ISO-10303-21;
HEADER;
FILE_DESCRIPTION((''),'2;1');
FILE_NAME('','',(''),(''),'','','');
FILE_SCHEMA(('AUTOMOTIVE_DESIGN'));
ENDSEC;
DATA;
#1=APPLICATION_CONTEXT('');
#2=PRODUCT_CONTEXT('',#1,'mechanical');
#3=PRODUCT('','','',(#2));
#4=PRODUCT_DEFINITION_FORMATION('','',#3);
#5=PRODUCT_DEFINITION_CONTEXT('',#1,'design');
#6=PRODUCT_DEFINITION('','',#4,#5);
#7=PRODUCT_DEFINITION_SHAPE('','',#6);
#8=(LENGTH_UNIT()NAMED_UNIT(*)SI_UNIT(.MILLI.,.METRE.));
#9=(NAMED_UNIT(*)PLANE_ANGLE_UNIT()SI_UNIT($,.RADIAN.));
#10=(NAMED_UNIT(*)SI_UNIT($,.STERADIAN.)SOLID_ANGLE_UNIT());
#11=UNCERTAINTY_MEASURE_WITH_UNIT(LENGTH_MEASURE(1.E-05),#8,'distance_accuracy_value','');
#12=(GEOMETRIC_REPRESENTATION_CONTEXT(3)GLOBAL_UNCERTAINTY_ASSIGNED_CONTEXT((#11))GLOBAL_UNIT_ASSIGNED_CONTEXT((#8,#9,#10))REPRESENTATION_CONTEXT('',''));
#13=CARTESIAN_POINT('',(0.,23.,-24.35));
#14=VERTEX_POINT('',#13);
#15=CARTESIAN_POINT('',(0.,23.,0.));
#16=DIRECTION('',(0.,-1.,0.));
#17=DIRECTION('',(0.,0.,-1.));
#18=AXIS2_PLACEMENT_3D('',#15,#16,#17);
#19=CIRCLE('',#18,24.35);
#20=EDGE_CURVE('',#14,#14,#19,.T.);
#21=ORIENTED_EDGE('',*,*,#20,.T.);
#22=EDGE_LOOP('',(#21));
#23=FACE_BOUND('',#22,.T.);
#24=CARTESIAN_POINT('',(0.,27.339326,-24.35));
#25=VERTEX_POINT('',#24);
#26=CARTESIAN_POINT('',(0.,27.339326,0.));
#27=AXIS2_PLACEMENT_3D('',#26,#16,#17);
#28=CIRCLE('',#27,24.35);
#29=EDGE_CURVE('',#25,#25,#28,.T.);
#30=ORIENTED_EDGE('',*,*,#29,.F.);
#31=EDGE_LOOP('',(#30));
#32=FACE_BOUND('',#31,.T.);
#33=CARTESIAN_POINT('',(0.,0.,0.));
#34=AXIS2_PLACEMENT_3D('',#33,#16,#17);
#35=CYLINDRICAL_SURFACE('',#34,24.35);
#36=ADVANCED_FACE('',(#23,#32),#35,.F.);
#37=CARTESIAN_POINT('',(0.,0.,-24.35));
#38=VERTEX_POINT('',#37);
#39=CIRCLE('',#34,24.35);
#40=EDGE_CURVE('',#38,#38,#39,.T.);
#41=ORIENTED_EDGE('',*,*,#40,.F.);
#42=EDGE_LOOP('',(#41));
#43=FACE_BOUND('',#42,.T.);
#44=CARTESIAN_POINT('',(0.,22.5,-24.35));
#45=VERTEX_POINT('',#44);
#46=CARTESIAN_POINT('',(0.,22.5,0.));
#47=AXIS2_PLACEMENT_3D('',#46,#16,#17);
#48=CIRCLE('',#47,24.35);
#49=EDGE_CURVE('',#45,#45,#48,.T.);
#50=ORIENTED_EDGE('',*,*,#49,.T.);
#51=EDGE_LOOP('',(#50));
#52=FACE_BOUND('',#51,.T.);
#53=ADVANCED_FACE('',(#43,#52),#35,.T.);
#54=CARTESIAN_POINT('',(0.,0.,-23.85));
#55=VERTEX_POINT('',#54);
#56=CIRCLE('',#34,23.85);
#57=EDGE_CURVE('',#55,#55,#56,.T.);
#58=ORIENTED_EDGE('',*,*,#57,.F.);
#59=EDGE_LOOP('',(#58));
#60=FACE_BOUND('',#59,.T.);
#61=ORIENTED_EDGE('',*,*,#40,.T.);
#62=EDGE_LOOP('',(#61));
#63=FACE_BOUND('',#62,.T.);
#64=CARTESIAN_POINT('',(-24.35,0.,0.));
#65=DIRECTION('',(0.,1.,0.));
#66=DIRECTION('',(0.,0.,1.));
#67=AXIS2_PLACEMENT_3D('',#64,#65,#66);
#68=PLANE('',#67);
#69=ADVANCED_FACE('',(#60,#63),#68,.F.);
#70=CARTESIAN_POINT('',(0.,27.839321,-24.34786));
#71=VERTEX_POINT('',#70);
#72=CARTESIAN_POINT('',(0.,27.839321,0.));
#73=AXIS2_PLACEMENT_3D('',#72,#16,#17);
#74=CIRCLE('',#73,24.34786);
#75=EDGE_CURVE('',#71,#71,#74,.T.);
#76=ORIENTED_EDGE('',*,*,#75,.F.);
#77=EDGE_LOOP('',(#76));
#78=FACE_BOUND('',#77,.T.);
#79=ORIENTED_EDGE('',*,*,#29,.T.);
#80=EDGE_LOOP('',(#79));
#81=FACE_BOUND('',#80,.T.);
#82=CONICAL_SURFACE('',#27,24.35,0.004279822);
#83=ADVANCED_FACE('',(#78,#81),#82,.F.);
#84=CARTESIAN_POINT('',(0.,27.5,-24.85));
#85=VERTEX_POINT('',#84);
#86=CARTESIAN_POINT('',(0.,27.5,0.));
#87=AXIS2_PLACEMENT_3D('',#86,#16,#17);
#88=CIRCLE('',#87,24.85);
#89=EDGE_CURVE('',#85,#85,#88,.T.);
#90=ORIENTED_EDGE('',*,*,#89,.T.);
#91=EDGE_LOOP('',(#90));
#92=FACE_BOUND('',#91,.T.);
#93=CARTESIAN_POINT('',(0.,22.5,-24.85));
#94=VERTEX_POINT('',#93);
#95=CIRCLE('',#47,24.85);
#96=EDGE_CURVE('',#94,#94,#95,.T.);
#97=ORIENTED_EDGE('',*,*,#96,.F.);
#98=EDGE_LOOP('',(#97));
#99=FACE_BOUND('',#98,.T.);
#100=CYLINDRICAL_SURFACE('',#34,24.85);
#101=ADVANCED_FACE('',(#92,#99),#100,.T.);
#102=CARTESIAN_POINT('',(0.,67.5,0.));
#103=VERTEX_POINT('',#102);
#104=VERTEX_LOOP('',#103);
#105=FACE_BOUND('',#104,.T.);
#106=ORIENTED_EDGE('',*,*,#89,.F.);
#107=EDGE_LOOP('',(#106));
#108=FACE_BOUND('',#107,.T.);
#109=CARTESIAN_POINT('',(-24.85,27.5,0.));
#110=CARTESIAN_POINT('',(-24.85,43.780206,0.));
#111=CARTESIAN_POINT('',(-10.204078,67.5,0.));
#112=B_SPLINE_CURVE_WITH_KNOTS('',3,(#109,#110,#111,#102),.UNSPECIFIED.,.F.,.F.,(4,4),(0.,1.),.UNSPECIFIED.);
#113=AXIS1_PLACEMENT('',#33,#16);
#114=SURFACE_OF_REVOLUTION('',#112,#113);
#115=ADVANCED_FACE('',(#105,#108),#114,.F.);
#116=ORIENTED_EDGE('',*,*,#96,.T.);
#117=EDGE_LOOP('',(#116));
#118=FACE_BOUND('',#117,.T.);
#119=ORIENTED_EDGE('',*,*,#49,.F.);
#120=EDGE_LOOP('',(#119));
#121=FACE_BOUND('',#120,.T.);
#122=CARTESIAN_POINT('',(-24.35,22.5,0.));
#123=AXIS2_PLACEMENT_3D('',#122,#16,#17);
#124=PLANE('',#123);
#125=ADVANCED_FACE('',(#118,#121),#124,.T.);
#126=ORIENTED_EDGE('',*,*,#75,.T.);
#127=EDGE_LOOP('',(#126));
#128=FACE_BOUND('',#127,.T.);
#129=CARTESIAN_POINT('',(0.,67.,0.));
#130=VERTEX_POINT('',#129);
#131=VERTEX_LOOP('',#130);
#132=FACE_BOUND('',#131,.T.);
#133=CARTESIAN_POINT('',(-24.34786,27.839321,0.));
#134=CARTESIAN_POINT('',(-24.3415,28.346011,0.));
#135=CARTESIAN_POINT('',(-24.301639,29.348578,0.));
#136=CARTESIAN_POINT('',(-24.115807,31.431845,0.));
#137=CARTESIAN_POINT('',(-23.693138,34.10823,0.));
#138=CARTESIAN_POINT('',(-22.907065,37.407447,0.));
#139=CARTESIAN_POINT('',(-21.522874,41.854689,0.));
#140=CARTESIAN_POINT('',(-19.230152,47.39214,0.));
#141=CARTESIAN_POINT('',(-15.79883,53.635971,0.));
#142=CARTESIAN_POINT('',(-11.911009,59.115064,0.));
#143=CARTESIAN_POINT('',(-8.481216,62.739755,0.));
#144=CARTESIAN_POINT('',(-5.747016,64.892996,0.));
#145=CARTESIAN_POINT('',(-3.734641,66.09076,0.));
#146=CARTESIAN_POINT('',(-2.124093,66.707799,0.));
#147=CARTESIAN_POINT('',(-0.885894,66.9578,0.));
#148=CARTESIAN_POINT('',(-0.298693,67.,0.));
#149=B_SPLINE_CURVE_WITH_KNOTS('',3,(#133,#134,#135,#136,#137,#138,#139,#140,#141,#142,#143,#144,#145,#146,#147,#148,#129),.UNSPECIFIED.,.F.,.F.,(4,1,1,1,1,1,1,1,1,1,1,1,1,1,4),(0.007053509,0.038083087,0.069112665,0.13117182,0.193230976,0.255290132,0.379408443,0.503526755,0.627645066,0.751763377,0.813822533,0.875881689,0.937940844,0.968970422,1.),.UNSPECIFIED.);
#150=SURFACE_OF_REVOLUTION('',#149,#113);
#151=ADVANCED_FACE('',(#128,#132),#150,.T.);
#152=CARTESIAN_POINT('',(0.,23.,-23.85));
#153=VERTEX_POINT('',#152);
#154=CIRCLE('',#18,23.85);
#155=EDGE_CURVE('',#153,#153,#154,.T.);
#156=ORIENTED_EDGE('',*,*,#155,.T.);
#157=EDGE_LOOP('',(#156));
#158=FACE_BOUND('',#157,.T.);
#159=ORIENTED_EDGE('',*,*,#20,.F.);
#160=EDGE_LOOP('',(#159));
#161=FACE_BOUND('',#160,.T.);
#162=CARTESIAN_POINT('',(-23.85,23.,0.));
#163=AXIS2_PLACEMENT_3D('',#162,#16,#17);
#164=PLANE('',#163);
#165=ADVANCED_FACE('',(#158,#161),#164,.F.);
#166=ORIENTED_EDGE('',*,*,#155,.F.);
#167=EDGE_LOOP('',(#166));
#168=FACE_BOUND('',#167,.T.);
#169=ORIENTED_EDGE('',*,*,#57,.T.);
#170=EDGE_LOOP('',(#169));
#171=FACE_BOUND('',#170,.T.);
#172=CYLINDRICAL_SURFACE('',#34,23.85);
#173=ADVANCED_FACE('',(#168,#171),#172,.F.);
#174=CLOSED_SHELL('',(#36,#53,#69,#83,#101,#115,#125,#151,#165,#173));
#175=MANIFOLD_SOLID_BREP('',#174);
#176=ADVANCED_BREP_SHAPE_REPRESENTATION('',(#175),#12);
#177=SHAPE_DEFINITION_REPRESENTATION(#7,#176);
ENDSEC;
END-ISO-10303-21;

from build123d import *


with BuildPart() as part:
    # Sketch1 → Revolve1 (revolve)
    with BuildSketch(Plane.XY, mode=Mode.PRIVATE) as revolve1_sk:
        with BuildLine():
            Line((-24.35, 0), (-24.35, 22.5))
            Line((-24.35, 22.5), (-24.85, 22.5))
            Line((-24.85, 22.5), (-24.85, 27.5))
            add(Edge.make_bspline(
                [(-24.85, 27.5), (-24.85, 43.780206444), (-10.204077545, 67.5), (0, 67.5)],
                knots=[0, 0, 0, 0, 1, 1, 1, 1], degree=3))
            Line((0, 67.5), (0, 67))
            add(Edge.make_bspline(
                [(-24.347860096, 27.839321298), (-24.341499711, 28.346010553), (-24.301638833, 29.348577965), (-24.11580728, 31.431845462), (-23.693138479, 34.108229535), (-22.907065114, 37.40744686), (-21.522873709, 41.854689286), (-19.230151883, 47.392139738), (-15.79882975, 53.635971479), (-11.911009312, 59.115064281), (-8.481216154, 62.739755317), (-5.747015733, 64.892995549), (-3.734640767, 66.090760209), (-2.124093421, 66.707799141), (-0.885893826, 66.957799804), (-0.298692976, 67), (0, 67)],
                knots=[0.007053509, 0.007053509, 0.007053509, 0.007053509, 0.038083087, 0.069112665, 0.13117182, 0.193230976, 0.255290132, 0.379408443, 0.503526755, 0.627645066, 0.751763377, 0.813822533, 0.875881689, 0.937940844, 0.968970422, 1, 1, 1, 1], degree=3))
            Line((-24.347860096, 27.839321298), (-24.35, 27.339325877))
            Line((-24.35, 27.339325877), (-24.35, 23))
            Line((-24.35, 23), (-23.85, 23))
            Line((-23.85, 23), (-23.85, 0))
            Line((-23.85, 0), (-24.35, 0))
        make_face()
    revolve(revolve1_sk.sketch.rotate(Axis((0, 0, 0), (0, 1, 0)), 270), axis=Axis((0, 0, 0), (0, 1, 0)))


solid = part.part
